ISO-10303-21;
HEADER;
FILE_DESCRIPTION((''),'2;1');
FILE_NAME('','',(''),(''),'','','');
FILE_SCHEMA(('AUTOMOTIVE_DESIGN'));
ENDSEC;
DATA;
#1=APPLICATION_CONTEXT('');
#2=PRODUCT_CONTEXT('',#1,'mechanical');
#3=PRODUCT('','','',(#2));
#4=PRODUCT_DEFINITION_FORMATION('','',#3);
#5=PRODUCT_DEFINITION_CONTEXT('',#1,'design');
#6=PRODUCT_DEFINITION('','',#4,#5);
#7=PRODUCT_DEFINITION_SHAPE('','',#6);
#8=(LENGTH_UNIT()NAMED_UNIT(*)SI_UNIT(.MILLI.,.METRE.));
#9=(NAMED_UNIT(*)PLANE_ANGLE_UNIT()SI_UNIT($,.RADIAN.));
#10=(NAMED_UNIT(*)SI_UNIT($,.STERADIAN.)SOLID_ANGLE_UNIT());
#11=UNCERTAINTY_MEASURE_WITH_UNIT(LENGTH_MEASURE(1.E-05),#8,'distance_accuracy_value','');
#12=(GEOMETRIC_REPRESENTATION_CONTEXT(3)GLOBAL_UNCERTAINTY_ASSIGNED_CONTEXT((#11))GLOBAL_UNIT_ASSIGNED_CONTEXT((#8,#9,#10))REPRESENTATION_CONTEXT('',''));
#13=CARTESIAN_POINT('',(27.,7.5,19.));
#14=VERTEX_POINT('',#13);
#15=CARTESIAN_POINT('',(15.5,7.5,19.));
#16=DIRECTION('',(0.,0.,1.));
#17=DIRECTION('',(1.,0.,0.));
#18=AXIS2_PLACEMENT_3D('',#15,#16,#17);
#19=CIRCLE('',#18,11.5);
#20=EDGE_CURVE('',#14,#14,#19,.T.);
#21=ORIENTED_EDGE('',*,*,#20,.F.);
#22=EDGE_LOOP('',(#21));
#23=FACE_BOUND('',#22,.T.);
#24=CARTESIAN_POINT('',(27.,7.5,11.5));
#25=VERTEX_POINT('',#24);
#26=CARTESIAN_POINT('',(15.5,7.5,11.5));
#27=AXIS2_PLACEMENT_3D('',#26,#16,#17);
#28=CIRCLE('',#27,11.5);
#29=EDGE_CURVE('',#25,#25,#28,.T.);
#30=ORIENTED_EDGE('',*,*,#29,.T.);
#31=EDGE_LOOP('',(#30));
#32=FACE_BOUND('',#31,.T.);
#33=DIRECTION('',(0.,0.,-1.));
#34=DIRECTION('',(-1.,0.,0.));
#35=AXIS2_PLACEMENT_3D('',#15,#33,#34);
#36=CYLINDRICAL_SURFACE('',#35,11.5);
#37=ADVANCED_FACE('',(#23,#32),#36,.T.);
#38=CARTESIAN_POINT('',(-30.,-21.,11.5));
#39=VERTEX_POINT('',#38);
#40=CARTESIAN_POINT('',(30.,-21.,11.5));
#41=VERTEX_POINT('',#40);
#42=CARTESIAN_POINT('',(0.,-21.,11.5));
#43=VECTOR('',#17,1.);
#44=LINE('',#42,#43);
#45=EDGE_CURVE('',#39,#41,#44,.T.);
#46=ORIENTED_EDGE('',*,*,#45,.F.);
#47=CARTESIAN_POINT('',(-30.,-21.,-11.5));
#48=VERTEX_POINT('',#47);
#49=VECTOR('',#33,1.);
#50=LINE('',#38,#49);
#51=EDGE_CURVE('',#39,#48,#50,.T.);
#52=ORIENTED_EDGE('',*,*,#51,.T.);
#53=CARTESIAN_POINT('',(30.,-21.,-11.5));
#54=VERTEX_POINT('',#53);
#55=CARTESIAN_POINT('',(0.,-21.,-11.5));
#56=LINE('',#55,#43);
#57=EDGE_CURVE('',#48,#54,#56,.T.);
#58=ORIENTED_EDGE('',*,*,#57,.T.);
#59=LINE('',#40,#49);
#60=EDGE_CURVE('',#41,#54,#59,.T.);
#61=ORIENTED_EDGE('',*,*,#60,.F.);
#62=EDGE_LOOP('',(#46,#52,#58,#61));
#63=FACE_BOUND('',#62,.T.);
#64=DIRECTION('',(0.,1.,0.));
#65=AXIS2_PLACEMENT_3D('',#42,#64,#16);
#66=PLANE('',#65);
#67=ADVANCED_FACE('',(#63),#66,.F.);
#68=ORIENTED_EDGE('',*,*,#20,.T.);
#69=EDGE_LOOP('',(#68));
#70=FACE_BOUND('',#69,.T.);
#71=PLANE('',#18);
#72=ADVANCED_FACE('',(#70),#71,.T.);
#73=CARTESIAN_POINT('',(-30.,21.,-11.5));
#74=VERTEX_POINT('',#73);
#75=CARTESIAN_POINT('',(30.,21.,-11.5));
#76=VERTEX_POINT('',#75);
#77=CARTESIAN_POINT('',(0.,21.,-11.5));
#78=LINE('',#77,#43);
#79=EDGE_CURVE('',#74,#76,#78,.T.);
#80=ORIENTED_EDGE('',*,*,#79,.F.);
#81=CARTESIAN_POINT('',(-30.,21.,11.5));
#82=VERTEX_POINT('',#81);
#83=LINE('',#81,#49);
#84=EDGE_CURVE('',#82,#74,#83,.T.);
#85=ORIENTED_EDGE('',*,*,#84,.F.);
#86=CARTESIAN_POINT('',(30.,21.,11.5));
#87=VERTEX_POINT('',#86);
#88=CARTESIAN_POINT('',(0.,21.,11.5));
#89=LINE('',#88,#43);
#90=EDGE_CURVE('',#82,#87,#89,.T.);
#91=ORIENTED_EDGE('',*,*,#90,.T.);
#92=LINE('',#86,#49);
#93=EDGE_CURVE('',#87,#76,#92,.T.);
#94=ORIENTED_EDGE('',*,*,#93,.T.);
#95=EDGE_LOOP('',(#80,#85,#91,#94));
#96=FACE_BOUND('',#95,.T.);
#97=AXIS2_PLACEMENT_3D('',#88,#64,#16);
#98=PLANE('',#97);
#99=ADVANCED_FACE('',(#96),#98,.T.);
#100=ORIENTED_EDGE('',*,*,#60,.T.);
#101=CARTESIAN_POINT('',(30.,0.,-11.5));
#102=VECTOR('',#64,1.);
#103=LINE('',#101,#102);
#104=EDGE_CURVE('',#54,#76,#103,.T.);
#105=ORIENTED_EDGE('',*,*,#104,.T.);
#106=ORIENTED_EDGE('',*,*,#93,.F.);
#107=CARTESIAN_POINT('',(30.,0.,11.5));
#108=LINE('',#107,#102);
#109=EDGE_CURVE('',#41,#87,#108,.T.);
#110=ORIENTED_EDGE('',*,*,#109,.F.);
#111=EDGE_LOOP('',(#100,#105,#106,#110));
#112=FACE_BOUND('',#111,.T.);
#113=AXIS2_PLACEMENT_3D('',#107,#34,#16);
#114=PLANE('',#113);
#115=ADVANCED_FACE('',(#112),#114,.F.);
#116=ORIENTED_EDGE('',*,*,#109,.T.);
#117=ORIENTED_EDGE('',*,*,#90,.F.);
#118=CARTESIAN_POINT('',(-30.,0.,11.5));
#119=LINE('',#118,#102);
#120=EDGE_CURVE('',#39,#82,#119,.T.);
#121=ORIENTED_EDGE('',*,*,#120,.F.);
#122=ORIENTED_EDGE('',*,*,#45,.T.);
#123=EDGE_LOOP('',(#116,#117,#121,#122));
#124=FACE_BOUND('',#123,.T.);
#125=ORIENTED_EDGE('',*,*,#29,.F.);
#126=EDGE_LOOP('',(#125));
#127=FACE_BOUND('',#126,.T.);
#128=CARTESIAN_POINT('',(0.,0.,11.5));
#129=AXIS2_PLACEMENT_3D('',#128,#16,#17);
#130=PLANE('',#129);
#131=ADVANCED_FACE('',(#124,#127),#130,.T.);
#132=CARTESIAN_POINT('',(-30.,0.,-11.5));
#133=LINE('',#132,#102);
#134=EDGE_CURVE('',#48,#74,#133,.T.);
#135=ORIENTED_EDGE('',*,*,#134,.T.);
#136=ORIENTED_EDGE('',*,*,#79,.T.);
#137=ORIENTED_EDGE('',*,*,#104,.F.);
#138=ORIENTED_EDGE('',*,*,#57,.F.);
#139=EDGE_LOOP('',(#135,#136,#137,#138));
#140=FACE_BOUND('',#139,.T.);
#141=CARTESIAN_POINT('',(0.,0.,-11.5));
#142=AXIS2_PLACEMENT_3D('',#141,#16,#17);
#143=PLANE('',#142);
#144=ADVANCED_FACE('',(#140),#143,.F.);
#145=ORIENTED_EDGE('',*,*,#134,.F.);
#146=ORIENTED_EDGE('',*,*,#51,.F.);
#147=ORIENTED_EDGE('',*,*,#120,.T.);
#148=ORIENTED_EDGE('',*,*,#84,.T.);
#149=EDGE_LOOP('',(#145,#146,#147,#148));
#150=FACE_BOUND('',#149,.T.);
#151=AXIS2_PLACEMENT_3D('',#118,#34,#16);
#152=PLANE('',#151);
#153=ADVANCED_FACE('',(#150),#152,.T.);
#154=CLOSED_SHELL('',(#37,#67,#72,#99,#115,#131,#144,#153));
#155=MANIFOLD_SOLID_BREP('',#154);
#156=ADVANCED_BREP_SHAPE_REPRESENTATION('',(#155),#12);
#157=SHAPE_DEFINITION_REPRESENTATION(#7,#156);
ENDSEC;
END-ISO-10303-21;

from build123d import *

# Parameters (mm, degrees)
SKETCH_1_W      = 60
SKETCH_1_H      = 42
SKETCH_1_R      = 11.5
EXTRUDE_1_DEPTH = 11.5
EXTRUDE_START   = 11.5
SKETCH_1_3_R    = 11.5
EXTRUDE_2_DEPTH = 7.5


with BuildPart() as part:
    # Эскиз1 → Бобышка-Вытянуть1 (new, symmetric)
    with BuildSketch(Plane.XY):
        Rectangle(SKETCH_1_W, SKETCH_1_H)
        with Locations((15.5, 7.5)):
            Circle(SKETCH_1_R, mode=Mode.SUBTRACT)
        with Locations((15.5, 7.5)):
            Circle(SKETCH_1_R)
    extrude(amount=EXTRUDE_1_DEPTH, both=True)

    # Эскиз1<3> → Бобышка-Вытянуть2 (add)
    with BuildSketch(Plane.XY.offset(EXTRUDE_START)):
        with Locations((15.5, 7.5)):
            Circle(SKETCH_1_3_R)
    extrude(amount=EXTRUDE_2_DEPTH)


solid = part.part
